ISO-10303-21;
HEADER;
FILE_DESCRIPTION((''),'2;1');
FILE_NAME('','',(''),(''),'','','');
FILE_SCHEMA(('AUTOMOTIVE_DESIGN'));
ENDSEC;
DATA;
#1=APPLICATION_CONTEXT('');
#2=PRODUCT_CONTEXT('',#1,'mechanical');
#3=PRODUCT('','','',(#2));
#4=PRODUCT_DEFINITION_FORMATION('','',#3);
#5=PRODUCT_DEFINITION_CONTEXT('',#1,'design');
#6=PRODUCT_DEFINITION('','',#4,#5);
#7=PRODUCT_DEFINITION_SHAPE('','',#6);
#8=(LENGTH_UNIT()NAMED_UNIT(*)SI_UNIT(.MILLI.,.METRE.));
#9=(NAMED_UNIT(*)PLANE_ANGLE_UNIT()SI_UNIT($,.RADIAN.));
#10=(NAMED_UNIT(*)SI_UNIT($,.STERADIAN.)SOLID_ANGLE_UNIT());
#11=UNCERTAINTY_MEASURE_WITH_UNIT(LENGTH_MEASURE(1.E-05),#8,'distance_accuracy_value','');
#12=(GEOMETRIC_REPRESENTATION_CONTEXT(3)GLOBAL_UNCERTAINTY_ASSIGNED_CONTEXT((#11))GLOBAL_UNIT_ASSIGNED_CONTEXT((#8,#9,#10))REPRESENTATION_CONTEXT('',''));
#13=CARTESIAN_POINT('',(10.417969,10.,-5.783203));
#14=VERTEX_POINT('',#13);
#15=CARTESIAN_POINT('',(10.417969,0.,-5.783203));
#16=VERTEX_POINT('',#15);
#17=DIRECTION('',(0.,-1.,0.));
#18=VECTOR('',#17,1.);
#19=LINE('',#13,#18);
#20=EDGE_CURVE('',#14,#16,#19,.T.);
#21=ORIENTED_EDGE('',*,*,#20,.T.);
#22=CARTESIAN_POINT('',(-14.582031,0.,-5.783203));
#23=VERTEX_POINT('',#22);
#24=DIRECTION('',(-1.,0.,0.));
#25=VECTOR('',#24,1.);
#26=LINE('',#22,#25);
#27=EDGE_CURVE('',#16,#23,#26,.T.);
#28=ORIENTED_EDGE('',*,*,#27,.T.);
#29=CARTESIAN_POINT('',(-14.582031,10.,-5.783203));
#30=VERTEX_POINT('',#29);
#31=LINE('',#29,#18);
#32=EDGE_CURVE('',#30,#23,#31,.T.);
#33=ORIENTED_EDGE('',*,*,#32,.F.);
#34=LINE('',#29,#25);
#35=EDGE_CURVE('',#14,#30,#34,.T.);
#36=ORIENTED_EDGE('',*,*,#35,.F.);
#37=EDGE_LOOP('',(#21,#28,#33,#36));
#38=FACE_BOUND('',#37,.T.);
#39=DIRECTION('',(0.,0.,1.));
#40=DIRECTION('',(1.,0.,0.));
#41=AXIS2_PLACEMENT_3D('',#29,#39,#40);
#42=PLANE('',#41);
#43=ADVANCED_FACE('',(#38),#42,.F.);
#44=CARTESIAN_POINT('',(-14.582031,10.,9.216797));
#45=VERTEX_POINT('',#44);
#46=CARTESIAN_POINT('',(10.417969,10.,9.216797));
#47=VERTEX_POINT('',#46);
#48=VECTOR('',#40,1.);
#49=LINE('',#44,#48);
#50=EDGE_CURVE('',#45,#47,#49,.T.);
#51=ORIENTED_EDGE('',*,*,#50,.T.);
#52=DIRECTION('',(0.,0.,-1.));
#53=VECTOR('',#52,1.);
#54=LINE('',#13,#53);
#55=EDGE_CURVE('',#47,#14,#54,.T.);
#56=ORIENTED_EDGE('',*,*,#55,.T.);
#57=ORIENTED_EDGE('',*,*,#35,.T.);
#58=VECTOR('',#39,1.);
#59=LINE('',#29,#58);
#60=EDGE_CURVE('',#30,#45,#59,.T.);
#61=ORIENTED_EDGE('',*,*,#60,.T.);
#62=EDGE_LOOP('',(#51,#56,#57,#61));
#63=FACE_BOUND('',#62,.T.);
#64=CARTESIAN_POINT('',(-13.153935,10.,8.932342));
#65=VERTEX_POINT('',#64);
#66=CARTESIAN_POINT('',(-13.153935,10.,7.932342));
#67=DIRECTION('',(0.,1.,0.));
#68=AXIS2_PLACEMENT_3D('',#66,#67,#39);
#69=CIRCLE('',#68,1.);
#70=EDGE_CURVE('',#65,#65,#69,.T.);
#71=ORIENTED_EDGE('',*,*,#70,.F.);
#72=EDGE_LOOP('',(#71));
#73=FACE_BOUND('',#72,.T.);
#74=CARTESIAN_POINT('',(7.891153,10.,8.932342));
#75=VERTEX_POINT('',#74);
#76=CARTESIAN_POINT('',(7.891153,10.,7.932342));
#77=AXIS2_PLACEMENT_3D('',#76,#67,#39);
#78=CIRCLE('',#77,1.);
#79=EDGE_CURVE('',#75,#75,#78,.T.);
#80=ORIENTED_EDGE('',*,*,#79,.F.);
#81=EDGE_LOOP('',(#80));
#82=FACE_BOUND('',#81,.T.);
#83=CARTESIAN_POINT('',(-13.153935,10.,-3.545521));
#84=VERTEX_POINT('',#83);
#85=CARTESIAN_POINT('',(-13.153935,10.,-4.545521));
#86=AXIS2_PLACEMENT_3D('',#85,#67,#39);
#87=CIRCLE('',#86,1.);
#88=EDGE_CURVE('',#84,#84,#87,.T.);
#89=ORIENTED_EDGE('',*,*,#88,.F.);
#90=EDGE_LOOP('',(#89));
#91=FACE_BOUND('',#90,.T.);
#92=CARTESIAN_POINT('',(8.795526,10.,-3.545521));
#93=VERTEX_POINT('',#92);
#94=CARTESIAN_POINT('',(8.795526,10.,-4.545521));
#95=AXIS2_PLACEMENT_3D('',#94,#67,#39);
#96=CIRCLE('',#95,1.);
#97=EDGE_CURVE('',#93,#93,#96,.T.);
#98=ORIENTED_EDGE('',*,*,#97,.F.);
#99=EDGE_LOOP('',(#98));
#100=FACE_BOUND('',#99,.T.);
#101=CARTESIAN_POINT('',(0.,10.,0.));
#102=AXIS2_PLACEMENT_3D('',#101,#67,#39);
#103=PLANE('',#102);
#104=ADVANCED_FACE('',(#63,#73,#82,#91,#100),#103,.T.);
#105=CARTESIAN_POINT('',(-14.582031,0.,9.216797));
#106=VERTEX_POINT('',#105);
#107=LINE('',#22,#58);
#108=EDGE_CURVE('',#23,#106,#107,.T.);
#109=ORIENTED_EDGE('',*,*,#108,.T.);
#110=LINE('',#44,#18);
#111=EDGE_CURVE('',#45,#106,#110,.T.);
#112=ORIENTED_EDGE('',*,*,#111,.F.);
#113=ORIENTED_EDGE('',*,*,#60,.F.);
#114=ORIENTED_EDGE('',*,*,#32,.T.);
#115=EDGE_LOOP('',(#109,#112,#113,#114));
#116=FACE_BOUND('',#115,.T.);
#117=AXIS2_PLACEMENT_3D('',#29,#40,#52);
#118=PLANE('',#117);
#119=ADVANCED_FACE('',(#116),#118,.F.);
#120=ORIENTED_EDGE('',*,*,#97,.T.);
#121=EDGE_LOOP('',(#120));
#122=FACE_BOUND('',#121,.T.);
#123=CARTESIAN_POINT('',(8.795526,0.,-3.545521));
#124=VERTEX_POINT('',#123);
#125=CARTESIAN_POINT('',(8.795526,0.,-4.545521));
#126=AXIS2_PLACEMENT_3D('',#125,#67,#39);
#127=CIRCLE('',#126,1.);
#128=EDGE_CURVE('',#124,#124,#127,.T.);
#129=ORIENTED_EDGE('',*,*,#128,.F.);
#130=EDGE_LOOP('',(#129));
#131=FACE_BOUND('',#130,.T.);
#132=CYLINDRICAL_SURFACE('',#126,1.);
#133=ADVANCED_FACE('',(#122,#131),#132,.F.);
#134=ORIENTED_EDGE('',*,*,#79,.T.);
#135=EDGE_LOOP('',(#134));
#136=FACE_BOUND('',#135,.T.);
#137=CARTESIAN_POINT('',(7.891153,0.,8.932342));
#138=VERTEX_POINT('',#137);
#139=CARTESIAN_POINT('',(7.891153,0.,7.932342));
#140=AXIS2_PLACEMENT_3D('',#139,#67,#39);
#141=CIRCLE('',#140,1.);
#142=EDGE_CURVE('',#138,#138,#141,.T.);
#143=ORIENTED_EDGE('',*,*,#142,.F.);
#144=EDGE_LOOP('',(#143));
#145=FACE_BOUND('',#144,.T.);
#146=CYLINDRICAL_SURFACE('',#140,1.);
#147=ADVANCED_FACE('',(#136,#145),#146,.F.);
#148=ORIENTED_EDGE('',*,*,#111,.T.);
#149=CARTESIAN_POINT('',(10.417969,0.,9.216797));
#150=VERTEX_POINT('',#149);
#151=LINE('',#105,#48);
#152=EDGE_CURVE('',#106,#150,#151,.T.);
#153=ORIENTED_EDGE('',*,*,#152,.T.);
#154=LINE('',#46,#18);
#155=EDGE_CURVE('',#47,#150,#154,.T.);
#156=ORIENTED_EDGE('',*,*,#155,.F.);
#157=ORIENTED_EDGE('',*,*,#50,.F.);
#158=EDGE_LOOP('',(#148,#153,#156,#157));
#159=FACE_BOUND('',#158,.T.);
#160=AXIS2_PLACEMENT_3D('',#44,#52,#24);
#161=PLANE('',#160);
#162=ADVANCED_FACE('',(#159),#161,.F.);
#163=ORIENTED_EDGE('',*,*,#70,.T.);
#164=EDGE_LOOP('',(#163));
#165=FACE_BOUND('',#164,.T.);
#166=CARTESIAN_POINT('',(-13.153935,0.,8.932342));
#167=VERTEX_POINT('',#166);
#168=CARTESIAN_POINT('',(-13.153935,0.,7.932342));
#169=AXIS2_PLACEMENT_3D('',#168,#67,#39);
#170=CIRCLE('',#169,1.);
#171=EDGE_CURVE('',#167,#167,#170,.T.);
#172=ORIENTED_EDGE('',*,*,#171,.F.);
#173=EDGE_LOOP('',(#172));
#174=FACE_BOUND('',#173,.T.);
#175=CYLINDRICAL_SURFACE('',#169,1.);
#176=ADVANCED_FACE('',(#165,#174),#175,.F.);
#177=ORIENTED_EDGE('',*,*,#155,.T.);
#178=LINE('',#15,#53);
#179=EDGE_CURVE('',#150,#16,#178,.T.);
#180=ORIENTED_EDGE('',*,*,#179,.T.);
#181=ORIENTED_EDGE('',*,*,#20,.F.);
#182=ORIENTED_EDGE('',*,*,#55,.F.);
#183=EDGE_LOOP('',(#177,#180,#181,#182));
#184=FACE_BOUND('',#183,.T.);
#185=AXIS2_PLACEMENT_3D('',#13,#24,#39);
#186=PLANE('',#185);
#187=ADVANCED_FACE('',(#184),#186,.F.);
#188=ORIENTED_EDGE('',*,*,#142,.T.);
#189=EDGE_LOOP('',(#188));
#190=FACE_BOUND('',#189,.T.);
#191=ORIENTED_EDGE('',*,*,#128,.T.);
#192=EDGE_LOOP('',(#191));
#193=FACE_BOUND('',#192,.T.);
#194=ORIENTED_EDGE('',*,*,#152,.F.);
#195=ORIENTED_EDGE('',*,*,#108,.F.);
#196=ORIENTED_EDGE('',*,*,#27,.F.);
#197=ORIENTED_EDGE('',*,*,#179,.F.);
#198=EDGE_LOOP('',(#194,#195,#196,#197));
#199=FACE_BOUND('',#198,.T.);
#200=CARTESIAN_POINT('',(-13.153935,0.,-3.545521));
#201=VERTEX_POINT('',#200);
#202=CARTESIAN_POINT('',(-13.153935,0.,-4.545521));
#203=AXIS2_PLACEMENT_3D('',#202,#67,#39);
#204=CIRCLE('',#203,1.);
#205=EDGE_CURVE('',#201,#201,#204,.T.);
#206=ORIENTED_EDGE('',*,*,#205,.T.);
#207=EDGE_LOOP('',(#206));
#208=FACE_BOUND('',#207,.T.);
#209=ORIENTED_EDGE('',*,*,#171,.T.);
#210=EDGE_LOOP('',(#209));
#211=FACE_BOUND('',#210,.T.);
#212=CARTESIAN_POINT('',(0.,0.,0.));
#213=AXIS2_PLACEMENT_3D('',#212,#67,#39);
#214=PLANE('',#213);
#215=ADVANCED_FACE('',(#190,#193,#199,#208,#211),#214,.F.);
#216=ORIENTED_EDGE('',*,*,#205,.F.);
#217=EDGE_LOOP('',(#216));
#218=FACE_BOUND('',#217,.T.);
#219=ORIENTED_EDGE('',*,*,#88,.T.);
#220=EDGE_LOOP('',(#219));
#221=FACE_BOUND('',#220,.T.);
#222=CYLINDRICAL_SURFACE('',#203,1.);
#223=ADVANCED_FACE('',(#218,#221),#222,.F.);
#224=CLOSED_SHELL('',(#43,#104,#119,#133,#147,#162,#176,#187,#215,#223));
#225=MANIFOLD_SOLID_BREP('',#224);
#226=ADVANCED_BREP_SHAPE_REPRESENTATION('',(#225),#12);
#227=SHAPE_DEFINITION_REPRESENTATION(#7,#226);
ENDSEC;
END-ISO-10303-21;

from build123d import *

# Parameters (mm, degrees)
SKETCH_1_W          = 25
SKETCH_1_H          = 15
EXTRUDE_1_DEPTH     = 10
SKETCH_2_R          = 1
CUT_EXTRUDE_1_DEPTH = 20.939533094


with BuildPart() as part:
    # 草图1 → 凸台-拉伸1 (new body)
    with BuildSketch(Plane(origin=(0, 0, 0), x_dir=(1, 0, 0), z_dir=(0, 1, 0))):
        with Locations((-2.08203125, -1.716796875)):
            Rectangle(SKETCH_1_W, SKETCH_1_H)
    extrude(amount=EXTRUDE_1_DEPTH)

    # 草图2 → 切除-拉伸1 (cut, through all)
    with BuildSketch(Plane(origin=(0, 10, 0), x_dir=(1, 0, 0), z_dir=(0, 1, 0))):
        with Locations(Location((-13.153935314, 4.545520989, 0), (0, 0, 270))):
            Circle(SKETCH_2_R)
        with Locations(Location((-13.153935314, -7.932342221, 0), (0, 0, 270))):
            Circle(SKETCH_2_R)
        with Locations(Location((8.795526254, 4.545520989, 0), (0, 0, 270))):
            Circle(SKETCH_2_R)
        with Locations(Location((7.891153208, -7.932342221, 0), (0, 0, 270))):
            Circle(SKETCH_2_R)
    extrude(amount=-CUT_EXTRUDE_1_DEPTH, mode=Mode.SUBTRACT)


solid = part.part
